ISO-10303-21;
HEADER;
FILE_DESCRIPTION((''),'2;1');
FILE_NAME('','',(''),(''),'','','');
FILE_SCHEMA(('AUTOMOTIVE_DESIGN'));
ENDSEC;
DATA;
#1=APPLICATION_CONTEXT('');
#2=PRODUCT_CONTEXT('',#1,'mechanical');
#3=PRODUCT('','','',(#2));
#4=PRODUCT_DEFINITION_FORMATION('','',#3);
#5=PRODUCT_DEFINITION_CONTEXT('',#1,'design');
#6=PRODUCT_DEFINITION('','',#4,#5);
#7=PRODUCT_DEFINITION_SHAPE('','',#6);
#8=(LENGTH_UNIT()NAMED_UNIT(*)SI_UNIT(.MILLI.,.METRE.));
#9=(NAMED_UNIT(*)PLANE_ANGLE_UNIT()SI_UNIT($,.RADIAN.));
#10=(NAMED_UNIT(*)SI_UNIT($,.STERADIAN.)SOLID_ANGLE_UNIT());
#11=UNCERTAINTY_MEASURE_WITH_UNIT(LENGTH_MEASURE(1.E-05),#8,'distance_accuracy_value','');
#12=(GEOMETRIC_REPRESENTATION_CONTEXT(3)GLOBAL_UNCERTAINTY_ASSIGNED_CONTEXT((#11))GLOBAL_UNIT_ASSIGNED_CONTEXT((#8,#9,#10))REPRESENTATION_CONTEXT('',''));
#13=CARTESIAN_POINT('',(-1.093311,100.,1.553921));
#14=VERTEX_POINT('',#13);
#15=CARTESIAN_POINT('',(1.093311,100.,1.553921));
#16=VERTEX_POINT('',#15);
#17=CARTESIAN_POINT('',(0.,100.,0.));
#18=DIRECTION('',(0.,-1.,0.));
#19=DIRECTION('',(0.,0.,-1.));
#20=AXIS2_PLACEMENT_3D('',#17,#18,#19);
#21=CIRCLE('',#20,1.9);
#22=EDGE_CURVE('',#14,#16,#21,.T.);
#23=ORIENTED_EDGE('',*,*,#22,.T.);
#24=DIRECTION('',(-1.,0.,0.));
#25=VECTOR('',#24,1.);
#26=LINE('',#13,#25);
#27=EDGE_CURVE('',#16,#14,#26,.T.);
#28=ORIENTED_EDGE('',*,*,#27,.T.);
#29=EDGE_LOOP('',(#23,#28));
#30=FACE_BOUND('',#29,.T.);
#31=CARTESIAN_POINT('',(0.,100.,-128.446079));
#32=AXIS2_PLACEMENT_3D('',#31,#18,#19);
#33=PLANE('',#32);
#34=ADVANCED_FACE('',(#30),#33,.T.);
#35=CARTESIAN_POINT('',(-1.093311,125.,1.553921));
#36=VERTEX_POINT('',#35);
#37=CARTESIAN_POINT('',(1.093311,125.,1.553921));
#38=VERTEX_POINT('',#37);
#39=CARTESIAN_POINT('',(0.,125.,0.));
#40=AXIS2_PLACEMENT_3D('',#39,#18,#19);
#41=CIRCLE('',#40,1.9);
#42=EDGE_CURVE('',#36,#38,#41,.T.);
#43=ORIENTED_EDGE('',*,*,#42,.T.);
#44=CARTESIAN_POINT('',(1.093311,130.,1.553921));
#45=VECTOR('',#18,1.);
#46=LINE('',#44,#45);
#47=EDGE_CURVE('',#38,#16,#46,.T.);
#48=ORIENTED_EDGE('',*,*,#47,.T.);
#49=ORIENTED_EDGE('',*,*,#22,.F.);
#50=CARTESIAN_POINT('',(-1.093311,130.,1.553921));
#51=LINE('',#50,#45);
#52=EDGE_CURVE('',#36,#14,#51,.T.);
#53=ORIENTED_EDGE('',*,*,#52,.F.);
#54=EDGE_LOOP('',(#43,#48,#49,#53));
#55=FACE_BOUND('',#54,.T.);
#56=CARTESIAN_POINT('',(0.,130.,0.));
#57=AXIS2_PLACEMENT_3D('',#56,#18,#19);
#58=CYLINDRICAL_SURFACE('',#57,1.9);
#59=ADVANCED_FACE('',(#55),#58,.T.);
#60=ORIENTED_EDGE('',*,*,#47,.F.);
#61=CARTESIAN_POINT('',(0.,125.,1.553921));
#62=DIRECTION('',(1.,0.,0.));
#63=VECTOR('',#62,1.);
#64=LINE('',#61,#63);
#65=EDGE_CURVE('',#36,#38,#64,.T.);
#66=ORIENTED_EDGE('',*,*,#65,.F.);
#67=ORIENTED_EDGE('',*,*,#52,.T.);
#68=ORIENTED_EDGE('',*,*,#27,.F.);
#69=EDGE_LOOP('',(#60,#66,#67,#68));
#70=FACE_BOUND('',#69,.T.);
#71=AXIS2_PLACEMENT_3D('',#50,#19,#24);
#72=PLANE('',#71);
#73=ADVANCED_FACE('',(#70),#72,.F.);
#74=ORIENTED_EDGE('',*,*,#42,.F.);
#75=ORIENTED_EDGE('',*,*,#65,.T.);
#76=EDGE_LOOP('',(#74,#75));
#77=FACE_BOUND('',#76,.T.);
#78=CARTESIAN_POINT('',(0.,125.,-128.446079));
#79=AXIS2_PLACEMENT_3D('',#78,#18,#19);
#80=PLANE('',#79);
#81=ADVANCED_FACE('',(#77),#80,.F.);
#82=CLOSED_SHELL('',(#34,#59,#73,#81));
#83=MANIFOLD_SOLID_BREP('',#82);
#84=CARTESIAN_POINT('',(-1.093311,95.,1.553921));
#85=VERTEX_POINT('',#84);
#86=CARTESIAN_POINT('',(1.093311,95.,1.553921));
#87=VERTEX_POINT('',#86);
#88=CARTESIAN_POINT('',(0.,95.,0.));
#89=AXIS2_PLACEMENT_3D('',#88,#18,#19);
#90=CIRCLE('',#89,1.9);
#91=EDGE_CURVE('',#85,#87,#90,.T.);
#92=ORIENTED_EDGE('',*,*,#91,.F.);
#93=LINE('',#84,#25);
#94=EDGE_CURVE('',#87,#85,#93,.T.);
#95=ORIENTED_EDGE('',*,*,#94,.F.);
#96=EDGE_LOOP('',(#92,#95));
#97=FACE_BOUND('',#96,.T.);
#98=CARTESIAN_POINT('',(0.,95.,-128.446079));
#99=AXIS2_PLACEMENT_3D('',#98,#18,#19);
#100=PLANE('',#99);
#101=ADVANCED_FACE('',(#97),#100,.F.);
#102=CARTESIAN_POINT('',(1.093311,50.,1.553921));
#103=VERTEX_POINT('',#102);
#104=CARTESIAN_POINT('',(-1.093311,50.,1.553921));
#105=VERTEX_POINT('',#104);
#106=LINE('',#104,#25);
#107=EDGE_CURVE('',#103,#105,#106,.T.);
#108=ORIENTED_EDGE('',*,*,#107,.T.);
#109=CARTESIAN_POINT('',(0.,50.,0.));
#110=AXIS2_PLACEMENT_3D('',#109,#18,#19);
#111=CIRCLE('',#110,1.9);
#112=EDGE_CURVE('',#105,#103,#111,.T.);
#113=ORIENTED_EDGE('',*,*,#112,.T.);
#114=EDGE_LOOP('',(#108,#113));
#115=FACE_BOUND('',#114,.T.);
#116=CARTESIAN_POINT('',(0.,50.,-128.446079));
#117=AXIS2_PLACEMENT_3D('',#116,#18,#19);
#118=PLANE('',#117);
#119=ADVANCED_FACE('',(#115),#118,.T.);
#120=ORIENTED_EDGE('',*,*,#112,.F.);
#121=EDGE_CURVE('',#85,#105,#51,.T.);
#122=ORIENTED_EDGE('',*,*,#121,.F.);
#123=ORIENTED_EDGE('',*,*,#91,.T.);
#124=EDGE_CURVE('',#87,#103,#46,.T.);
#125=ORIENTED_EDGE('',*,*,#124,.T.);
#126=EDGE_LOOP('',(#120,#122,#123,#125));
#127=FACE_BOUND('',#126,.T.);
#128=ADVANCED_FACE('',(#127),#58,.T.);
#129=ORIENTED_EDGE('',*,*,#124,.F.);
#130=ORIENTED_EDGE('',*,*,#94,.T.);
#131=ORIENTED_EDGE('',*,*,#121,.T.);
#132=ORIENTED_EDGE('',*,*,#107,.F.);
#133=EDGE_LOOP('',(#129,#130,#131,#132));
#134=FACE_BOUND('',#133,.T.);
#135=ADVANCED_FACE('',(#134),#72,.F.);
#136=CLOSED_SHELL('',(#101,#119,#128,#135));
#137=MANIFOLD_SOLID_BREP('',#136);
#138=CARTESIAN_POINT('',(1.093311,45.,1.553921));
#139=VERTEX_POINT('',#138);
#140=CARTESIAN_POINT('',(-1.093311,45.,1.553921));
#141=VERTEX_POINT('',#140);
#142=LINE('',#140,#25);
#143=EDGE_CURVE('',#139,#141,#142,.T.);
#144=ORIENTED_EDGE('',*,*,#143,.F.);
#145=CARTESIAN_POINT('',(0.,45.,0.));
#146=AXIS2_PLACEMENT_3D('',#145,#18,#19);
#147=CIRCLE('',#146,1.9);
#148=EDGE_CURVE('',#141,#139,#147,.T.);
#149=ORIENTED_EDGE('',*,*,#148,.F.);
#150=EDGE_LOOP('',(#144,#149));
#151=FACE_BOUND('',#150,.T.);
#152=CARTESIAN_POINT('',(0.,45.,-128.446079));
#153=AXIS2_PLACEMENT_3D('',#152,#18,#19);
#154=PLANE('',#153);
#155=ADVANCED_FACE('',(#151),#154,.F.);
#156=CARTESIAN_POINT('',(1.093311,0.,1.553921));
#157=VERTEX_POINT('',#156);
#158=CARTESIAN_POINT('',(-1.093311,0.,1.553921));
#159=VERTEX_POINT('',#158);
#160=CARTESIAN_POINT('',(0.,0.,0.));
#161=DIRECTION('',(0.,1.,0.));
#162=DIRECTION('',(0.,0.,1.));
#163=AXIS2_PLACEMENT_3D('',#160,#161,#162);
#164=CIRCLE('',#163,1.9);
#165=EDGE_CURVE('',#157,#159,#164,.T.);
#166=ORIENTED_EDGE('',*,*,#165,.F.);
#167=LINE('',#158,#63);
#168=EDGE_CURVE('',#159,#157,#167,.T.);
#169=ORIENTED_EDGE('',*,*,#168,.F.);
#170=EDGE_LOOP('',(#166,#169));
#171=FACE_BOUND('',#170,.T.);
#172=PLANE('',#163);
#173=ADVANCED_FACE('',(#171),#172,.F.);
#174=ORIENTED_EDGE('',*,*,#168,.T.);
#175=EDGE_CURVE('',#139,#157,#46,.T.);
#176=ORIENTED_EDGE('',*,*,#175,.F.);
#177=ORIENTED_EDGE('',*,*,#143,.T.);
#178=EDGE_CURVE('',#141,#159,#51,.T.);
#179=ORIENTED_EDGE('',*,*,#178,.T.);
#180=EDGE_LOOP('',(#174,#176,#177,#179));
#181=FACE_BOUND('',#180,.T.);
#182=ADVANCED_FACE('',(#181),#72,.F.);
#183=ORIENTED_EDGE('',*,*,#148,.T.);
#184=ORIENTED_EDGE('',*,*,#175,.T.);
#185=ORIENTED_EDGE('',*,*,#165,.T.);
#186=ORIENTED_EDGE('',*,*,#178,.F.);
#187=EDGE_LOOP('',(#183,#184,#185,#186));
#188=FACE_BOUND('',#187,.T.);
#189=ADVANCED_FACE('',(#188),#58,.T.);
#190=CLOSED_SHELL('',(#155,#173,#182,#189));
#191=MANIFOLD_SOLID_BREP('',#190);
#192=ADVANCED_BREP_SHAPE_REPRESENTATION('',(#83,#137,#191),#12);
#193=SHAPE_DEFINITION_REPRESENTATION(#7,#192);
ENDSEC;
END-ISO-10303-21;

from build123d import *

# Parameters (mm, degrees)
BOSS_EXTRUDE1_DEPTH = 130
SKETCH2_W           = 10.164440157
SKETCH2_H           = 5
SKETCH2_W_2         = 5.261886041
SKETCH2_W_3         = 2.186621348
SKETCH2_W_4         = 8.459625722
SKETCH2_W_5         = 16.182032923
SKETCH2_W_6         = 7.149876699
SKETCH2_W_7         = 3.543697944
CUT_EXTRUDE1_DEPTH  = 130


with BuildPart() as part:
    # Sketch1 → Boss-Extrude1 (new body)
    with BuildSketch(Plane(origin=(0, 0, 0), x_dir=(1, 0, 0), z_dir=(0, 1, 0))):
        with BuildLine():
            Line((-1.093310674, -1.553921417), (1.093310674, -1.553921417))
            ThreePointArc((1.093310674, -1.553921417), (0, 1.9), (-1.093310674, -1.553921417))
        make_face()
    extrude(amount=BOSS_EXTRUDE1_DEPTH)

    # Sketch2 → Cut-Extrude1 (cut)
    with BuildSketch(Plane.XY.offset(1.553921417)):
        with Locations((6.175530753, 127.5)):
            Rectangle(SKETCH2_W, SKETCH2_H)
        with Locations((-3.724253695, 127.5)):
            Rectangle(SKETCH2_W_2, SKETCH2_H)
        with Locations((0, 127.5)):
            Rectangle(SKETCH2_W_3, SKETCH2_H)
        with Locations((0, 97.5)):
            Rectangle(SKETCH2_W_3, SKETCH2_H)
        with Locations((-5.323123535, 97.5)):
            Rectangle(SKETCH2_W_4, SKETCH2_H)
        with Locations((9.184327136, 97.5)):
            Rectangle(SKETCH2_W_5, SKETCH2_H)
        with Locations((-4.668249024, 47.5)):
            Rectangle(SKETCH2_W_6, SKETCH2_H)
        with Locations((0, 47.5)):
            Rectangle(SKETCH2_W_3, SKETCH2_H)
        with Locations((2.865159646, 47.5)):
            Rectangle(SKETCH2_W_7, SKETCH2_H)
    extrude(amount=-CUT_EXTRUDE1_DEPTH, mode=Mode.SUBTRACT)


solid = part.part
